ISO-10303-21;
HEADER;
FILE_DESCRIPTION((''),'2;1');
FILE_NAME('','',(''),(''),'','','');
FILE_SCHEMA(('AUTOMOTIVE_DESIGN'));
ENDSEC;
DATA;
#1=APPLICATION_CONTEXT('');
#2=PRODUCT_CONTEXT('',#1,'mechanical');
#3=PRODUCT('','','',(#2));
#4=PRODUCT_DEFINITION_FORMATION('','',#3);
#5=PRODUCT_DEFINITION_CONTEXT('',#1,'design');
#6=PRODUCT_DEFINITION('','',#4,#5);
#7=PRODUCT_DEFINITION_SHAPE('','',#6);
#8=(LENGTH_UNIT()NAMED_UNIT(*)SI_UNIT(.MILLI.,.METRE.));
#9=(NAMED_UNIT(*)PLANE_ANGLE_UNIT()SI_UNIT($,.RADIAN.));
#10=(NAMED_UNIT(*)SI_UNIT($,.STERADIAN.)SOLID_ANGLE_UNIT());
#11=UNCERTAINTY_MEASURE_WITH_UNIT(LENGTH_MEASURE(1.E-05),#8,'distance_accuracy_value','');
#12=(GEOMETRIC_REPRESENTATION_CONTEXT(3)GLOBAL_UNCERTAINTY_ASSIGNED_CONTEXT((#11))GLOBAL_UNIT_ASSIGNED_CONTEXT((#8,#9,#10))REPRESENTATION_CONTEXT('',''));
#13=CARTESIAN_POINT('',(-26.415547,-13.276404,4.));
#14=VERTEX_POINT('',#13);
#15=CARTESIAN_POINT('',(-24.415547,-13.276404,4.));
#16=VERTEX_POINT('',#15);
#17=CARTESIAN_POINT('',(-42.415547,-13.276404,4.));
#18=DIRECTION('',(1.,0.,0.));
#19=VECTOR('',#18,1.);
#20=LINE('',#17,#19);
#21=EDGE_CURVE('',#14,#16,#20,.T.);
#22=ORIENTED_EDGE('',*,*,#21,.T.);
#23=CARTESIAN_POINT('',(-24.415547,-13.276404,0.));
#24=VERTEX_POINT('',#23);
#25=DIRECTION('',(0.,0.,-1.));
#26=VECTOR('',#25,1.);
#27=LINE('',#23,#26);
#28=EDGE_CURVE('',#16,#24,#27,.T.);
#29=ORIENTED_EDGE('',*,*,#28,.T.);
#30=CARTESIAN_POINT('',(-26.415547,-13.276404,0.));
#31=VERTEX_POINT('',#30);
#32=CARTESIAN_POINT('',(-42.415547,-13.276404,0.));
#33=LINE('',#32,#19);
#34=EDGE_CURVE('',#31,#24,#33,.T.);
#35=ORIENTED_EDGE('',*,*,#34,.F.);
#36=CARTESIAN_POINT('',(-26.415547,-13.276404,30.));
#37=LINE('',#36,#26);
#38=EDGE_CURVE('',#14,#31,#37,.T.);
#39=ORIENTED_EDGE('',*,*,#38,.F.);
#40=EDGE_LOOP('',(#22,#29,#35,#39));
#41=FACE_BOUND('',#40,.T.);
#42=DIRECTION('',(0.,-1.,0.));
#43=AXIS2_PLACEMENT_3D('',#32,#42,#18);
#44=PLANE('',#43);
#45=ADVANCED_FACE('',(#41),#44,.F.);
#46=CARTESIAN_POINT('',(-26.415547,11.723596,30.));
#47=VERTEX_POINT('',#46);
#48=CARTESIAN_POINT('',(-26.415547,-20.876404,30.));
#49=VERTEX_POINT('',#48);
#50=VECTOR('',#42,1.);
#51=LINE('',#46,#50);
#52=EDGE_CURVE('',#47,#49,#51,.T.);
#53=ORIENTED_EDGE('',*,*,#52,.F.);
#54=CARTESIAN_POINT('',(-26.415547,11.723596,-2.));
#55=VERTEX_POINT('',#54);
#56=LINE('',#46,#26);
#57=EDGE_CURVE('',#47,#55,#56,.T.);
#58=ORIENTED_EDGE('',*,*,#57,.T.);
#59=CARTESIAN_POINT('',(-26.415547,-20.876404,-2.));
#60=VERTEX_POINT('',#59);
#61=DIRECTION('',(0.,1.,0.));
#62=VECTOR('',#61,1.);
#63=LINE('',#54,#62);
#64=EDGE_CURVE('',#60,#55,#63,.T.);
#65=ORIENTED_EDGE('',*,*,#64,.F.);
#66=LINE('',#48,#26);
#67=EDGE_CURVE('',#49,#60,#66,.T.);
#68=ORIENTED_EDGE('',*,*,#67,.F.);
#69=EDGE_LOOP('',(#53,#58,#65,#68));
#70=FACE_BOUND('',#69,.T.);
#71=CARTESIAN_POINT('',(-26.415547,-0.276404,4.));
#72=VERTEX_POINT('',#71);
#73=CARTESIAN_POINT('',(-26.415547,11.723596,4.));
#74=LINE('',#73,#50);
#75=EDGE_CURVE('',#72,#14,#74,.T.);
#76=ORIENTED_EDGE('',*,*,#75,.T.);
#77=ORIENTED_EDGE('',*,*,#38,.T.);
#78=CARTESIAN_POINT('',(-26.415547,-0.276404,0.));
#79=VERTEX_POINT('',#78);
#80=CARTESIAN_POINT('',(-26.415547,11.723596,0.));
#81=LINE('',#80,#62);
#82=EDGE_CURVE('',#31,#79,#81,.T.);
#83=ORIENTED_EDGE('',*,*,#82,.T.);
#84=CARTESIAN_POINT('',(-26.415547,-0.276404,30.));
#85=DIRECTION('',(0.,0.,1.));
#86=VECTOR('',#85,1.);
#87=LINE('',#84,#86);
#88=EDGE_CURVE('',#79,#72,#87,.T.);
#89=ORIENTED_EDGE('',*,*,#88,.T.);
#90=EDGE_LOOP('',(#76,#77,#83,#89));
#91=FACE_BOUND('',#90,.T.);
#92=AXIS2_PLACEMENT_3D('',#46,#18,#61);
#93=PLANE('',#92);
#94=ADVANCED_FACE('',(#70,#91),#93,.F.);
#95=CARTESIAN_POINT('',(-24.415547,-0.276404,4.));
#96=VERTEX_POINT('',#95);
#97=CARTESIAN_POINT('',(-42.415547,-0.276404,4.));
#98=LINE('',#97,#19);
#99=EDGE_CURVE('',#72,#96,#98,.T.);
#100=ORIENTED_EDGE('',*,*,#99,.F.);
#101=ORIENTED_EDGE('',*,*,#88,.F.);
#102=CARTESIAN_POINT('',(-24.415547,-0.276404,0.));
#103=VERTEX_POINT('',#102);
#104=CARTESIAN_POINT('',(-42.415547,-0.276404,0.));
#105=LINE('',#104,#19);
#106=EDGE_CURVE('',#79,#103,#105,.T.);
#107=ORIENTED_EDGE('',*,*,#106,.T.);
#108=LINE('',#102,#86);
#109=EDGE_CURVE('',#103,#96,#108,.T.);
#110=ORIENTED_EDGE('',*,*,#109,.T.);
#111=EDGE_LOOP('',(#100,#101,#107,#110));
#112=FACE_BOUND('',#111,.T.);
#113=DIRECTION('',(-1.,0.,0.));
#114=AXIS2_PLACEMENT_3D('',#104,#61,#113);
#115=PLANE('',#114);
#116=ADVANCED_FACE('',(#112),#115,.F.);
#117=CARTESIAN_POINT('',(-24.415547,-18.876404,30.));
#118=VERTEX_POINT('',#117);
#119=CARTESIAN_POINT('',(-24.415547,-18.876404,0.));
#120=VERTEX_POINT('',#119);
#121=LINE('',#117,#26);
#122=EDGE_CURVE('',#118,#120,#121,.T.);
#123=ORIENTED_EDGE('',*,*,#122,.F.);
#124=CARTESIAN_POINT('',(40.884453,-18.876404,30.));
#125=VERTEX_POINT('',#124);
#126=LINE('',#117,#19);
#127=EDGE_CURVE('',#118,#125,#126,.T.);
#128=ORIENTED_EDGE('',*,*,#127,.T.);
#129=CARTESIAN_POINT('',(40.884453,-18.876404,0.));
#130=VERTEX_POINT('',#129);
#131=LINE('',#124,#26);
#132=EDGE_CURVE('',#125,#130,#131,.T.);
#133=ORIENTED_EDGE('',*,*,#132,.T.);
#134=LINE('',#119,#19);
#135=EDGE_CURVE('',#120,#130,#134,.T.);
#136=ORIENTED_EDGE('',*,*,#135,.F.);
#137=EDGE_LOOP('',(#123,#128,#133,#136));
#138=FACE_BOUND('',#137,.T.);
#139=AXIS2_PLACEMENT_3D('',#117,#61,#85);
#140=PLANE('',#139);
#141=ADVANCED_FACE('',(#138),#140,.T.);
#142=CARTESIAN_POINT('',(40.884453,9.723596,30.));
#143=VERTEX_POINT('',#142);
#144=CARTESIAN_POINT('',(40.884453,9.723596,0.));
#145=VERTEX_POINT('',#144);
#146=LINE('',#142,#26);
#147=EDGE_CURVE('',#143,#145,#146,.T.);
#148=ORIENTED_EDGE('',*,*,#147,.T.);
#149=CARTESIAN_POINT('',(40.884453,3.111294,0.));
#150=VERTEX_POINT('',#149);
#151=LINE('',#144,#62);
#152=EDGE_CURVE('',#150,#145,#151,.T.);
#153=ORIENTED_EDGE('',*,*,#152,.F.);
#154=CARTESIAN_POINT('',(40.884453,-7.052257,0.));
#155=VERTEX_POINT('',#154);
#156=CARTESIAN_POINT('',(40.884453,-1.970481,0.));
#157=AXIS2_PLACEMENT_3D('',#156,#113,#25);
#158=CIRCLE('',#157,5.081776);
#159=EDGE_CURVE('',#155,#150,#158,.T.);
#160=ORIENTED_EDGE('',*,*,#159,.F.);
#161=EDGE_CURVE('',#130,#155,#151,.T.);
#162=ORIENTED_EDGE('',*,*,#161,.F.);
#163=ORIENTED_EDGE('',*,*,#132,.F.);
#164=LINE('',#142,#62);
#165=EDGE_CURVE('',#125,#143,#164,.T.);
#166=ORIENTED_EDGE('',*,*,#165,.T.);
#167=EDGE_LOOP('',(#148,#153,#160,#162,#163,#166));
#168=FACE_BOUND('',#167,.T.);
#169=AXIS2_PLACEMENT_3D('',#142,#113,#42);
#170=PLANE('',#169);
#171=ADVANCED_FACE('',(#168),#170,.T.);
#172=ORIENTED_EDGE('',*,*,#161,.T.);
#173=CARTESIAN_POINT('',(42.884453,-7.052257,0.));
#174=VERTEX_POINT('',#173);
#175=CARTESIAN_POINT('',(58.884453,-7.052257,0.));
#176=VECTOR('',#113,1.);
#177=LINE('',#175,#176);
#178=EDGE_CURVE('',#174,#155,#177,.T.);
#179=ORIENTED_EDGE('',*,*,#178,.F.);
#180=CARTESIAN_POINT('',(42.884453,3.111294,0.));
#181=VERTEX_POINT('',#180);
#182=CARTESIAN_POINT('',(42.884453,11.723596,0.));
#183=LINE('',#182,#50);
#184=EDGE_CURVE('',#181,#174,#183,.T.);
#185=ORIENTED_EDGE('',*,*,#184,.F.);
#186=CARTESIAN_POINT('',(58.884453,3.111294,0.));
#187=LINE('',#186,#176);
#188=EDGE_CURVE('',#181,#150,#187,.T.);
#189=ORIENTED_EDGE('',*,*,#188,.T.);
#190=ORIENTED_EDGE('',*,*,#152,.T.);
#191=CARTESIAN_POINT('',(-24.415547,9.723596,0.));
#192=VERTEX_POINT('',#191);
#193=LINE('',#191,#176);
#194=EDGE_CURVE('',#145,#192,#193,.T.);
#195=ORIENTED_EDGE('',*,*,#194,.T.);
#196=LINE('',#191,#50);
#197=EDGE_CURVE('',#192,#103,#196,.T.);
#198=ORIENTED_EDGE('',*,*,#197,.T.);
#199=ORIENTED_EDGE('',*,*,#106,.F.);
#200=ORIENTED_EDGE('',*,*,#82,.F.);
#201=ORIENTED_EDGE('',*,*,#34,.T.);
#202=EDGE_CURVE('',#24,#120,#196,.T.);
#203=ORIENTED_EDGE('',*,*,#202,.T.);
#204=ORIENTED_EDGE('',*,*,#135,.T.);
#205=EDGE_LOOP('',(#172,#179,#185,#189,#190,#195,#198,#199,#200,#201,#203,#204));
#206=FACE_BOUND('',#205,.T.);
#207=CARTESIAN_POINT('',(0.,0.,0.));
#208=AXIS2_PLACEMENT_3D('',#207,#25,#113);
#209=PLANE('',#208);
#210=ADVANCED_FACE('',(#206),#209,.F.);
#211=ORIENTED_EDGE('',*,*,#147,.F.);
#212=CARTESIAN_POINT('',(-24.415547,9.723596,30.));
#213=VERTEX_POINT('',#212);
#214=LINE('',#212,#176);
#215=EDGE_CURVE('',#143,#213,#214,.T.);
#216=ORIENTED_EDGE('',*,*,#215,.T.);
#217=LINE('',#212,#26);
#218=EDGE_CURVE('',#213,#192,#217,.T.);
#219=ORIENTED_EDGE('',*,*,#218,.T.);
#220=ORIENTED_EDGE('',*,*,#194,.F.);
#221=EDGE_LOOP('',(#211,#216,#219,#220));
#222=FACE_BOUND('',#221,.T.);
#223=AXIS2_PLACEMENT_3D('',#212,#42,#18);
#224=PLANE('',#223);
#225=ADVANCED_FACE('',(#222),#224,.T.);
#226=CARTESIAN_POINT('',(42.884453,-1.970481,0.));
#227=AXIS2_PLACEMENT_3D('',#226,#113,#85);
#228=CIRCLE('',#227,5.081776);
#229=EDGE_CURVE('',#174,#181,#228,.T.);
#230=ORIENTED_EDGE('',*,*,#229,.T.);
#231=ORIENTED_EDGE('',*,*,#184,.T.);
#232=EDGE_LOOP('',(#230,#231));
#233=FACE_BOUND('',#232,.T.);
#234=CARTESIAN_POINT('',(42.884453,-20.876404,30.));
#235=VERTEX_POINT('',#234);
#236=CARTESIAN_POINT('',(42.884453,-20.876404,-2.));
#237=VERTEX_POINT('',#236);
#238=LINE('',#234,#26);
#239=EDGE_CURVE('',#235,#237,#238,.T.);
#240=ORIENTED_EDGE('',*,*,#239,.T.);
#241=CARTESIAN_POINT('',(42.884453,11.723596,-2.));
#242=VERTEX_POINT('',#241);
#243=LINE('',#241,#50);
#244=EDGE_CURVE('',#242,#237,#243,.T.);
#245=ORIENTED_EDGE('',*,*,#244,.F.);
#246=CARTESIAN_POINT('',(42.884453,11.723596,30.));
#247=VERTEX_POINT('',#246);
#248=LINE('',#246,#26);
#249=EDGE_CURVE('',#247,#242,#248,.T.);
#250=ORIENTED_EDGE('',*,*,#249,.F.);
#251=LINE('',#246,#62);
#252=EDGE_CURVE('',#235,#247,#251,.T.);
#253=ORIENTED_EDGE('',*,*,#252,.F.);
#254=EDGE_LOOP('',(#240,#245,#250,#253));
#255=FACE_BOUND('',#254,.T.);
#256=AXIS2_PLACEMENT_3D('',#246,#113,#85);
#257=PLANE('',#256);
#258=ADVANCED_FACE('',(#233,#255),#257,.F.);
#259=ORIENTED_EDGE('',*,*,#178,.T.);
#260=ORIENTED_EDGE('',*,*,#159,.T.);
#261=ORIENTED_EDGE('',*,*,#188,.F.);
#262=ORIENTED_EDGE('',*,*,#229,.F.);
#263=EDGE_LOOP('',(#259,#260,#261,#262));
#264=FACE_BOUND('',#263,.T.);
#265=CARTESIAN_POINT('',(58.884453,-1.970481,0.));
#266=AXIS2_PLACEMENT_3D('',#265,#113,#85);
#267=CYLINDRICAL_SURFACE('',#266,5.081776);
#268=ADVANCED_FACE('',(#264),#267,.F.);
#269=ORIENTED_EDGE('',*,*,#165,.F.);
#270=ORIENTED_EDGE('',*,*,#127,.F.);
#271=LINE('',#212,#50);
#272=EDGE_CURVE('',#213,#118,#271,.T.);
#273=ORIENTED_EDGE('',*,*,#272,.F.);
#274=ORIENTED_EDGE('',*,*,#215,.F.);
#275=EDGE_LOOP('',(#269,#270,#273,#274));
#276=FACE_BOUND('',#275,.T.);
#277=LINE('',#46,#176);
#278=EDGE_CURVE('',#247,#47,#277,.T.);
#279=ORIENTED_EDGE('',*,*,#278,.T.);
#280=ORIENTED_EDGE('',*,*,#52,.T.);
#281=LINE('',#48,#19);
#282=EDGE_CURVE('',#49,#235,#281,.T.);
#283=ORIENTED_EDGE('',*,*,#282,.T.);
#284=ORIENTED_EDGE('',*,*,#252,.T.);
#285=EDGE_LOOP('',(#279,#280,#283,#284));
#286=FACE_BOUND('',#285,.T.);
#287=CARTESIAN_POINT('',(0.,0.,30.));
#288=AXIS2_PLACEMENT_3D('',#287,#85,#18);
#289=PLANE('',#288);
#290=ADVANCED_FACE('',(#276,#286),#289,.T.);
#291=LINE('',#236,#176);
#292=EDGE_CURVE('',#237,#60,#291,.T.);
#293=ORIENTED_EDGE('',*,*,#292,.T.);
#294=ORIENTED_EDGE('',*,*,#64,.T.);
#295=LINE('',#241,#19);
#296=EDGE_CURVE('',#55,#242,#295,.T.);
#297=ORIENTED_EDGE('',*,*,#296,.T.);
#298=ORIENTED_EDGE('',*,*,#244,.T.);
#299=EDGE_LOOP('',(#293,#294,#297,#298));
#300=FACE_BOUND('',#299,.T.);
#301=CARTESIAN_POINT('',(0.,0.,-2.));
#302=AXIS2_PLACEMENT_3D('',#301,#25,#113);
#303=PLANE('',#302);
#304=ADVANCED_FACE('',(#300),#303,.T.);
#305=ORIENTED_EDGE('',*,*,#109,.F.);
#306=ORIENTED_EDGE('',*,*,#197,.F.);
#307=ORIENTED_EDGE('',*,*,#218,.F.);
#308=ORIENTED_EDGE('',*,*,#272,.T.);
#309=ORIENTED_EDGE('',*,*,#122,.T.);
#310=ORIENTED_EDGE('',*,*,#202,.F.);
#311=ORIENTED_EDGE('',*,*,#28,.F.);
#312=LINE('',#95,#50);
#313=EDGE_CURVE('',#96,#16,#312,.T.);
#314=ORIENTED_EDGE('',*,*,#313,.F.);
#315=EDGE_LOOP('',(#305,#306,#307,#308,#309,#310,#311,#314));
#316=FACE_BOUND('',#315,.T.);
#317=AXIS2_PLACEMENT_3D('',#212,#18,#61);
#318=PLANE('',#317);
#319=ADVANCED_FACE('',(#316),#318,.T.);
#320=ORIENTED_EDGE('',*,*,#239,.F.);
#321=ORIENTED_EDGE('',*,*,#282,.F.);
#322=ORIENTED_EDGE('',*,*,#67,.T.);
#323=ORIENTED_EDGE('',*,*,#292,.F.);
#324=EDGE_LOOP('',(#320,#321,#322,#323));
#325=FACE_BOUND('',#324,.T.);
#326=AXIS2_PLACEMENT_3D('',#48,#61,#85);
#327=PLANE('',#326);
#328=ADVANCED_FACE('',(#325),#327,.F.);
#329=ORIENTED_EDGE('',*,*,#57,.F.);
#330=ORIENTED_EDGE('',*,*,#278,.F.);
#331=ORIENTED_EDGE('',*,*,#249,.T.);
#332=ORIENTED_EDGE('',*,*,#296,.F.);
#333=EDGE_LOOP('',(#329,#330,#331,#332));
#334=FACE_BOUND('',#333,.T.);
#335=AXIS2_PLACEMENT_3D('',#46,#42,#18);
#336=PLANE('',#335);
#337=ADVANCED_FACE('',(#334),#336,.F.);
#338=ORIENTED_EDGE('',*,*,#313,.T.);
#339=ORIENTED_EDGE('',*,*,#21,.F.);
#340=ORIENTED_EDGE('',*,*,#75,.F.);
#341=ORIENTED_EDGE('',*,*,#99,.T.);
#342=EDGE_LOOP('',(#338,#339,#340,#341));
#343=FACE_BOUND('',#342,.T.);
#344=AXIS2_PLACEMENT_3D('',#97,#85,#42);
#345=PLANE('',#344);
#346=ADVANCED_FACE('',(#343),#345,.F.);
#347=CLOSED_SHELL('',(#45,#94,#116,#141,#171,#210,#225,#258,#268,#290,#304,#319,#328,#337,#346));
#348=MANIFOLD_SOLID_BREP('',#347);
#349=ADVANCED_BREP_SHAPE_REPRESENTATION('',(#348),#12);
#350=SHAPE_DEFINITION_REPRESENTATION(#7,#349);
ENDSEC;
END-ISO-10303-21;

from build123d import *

# Parameters (mm, degrees)
ESQUISSE1_W             = 69.3
ESQUISSE1_H             = 32.6
ESQUISSE1_W_2           = 65.3
ESQUISSE1_H_2           = 28.6
BOSS_EXTRU_1_DEPTH      = 30
ESQUISSE3_W             = 69.3
ESQUISSE3_H             = 32.6
BOSS_EXTRU_2_DEPTH      = 2
ESQUISSE4_W             = 4
ESQUISSE4_H             = 13
ENL_V_MAT_EXTRU_1_DEPTH = 18
ENL_V_MAT_EXTRU_2_DEPTH = 18


with BuildPart() as part:
    # Esquisse1 → Boss.-Extru.1 (new body)
    with BuildSketch(Plane.XY):
        with Locations((8.234452659, -4.576404494)):
            Rectangle(ESQUISSE1_W, ESQUISSE1_H)
        with Locations((8.234452659, -4.576404494)):
            Rectangle(ESQUISSE1_W_2, ESQUISSE1_H_2, mode=Mode.SUBTRACT)
    extrude(amount=BOSS_EXTRU_1_DEPTH)

    # Esquisse3 → Boss.-Extru.2 (add)
    with BuildSketch(Plane(origin=(0, 0, 0), x_dir=(-1, 0, 0), z_dir=(0, 0, -1))):
        with Locations((-8.234452659, -4.576404494)):
            Rectangle(ESQUISSE3_W, ESQUISSE3_H)
    extrude(amount=BOSS_EXTRU_2_DEPTH)

    # Esquisse4 → Enlèv. mat.-Extru.1 (cut)
    with BuildSketch(Plane(origin=(-24.415547341, 0, 0), x_dir=(0, 0, -1), z_dir=(1, 0, 0))):
        with Locations((-2, -6.776404494)):
            Rectangle(ESQUISSE4_W, ESQUISSE4_H)
    extrude(amount=-ENL_V_MAT_EXTRU_1_DEPTH, mode=Mode.SUBTRACT)

    # Esquisse5 → Enlèv. mat.-Extru.2 (cut)
    with BuildSketch(Plane.ZY.offset(-40.884452659)):
        with BuildLine():
            Line((0, 3.111294122), (0, -7.052256907))
            ThreePointArc((0, -7.052256907), (5.081775514, -1.970481392), (0, 3.111294122))
        make_face()
    extrude(amount=-ENL_V_MAT_EXTRU_2_DEPTH, mode=Mode.SUBTRACT)


solid = part.part
